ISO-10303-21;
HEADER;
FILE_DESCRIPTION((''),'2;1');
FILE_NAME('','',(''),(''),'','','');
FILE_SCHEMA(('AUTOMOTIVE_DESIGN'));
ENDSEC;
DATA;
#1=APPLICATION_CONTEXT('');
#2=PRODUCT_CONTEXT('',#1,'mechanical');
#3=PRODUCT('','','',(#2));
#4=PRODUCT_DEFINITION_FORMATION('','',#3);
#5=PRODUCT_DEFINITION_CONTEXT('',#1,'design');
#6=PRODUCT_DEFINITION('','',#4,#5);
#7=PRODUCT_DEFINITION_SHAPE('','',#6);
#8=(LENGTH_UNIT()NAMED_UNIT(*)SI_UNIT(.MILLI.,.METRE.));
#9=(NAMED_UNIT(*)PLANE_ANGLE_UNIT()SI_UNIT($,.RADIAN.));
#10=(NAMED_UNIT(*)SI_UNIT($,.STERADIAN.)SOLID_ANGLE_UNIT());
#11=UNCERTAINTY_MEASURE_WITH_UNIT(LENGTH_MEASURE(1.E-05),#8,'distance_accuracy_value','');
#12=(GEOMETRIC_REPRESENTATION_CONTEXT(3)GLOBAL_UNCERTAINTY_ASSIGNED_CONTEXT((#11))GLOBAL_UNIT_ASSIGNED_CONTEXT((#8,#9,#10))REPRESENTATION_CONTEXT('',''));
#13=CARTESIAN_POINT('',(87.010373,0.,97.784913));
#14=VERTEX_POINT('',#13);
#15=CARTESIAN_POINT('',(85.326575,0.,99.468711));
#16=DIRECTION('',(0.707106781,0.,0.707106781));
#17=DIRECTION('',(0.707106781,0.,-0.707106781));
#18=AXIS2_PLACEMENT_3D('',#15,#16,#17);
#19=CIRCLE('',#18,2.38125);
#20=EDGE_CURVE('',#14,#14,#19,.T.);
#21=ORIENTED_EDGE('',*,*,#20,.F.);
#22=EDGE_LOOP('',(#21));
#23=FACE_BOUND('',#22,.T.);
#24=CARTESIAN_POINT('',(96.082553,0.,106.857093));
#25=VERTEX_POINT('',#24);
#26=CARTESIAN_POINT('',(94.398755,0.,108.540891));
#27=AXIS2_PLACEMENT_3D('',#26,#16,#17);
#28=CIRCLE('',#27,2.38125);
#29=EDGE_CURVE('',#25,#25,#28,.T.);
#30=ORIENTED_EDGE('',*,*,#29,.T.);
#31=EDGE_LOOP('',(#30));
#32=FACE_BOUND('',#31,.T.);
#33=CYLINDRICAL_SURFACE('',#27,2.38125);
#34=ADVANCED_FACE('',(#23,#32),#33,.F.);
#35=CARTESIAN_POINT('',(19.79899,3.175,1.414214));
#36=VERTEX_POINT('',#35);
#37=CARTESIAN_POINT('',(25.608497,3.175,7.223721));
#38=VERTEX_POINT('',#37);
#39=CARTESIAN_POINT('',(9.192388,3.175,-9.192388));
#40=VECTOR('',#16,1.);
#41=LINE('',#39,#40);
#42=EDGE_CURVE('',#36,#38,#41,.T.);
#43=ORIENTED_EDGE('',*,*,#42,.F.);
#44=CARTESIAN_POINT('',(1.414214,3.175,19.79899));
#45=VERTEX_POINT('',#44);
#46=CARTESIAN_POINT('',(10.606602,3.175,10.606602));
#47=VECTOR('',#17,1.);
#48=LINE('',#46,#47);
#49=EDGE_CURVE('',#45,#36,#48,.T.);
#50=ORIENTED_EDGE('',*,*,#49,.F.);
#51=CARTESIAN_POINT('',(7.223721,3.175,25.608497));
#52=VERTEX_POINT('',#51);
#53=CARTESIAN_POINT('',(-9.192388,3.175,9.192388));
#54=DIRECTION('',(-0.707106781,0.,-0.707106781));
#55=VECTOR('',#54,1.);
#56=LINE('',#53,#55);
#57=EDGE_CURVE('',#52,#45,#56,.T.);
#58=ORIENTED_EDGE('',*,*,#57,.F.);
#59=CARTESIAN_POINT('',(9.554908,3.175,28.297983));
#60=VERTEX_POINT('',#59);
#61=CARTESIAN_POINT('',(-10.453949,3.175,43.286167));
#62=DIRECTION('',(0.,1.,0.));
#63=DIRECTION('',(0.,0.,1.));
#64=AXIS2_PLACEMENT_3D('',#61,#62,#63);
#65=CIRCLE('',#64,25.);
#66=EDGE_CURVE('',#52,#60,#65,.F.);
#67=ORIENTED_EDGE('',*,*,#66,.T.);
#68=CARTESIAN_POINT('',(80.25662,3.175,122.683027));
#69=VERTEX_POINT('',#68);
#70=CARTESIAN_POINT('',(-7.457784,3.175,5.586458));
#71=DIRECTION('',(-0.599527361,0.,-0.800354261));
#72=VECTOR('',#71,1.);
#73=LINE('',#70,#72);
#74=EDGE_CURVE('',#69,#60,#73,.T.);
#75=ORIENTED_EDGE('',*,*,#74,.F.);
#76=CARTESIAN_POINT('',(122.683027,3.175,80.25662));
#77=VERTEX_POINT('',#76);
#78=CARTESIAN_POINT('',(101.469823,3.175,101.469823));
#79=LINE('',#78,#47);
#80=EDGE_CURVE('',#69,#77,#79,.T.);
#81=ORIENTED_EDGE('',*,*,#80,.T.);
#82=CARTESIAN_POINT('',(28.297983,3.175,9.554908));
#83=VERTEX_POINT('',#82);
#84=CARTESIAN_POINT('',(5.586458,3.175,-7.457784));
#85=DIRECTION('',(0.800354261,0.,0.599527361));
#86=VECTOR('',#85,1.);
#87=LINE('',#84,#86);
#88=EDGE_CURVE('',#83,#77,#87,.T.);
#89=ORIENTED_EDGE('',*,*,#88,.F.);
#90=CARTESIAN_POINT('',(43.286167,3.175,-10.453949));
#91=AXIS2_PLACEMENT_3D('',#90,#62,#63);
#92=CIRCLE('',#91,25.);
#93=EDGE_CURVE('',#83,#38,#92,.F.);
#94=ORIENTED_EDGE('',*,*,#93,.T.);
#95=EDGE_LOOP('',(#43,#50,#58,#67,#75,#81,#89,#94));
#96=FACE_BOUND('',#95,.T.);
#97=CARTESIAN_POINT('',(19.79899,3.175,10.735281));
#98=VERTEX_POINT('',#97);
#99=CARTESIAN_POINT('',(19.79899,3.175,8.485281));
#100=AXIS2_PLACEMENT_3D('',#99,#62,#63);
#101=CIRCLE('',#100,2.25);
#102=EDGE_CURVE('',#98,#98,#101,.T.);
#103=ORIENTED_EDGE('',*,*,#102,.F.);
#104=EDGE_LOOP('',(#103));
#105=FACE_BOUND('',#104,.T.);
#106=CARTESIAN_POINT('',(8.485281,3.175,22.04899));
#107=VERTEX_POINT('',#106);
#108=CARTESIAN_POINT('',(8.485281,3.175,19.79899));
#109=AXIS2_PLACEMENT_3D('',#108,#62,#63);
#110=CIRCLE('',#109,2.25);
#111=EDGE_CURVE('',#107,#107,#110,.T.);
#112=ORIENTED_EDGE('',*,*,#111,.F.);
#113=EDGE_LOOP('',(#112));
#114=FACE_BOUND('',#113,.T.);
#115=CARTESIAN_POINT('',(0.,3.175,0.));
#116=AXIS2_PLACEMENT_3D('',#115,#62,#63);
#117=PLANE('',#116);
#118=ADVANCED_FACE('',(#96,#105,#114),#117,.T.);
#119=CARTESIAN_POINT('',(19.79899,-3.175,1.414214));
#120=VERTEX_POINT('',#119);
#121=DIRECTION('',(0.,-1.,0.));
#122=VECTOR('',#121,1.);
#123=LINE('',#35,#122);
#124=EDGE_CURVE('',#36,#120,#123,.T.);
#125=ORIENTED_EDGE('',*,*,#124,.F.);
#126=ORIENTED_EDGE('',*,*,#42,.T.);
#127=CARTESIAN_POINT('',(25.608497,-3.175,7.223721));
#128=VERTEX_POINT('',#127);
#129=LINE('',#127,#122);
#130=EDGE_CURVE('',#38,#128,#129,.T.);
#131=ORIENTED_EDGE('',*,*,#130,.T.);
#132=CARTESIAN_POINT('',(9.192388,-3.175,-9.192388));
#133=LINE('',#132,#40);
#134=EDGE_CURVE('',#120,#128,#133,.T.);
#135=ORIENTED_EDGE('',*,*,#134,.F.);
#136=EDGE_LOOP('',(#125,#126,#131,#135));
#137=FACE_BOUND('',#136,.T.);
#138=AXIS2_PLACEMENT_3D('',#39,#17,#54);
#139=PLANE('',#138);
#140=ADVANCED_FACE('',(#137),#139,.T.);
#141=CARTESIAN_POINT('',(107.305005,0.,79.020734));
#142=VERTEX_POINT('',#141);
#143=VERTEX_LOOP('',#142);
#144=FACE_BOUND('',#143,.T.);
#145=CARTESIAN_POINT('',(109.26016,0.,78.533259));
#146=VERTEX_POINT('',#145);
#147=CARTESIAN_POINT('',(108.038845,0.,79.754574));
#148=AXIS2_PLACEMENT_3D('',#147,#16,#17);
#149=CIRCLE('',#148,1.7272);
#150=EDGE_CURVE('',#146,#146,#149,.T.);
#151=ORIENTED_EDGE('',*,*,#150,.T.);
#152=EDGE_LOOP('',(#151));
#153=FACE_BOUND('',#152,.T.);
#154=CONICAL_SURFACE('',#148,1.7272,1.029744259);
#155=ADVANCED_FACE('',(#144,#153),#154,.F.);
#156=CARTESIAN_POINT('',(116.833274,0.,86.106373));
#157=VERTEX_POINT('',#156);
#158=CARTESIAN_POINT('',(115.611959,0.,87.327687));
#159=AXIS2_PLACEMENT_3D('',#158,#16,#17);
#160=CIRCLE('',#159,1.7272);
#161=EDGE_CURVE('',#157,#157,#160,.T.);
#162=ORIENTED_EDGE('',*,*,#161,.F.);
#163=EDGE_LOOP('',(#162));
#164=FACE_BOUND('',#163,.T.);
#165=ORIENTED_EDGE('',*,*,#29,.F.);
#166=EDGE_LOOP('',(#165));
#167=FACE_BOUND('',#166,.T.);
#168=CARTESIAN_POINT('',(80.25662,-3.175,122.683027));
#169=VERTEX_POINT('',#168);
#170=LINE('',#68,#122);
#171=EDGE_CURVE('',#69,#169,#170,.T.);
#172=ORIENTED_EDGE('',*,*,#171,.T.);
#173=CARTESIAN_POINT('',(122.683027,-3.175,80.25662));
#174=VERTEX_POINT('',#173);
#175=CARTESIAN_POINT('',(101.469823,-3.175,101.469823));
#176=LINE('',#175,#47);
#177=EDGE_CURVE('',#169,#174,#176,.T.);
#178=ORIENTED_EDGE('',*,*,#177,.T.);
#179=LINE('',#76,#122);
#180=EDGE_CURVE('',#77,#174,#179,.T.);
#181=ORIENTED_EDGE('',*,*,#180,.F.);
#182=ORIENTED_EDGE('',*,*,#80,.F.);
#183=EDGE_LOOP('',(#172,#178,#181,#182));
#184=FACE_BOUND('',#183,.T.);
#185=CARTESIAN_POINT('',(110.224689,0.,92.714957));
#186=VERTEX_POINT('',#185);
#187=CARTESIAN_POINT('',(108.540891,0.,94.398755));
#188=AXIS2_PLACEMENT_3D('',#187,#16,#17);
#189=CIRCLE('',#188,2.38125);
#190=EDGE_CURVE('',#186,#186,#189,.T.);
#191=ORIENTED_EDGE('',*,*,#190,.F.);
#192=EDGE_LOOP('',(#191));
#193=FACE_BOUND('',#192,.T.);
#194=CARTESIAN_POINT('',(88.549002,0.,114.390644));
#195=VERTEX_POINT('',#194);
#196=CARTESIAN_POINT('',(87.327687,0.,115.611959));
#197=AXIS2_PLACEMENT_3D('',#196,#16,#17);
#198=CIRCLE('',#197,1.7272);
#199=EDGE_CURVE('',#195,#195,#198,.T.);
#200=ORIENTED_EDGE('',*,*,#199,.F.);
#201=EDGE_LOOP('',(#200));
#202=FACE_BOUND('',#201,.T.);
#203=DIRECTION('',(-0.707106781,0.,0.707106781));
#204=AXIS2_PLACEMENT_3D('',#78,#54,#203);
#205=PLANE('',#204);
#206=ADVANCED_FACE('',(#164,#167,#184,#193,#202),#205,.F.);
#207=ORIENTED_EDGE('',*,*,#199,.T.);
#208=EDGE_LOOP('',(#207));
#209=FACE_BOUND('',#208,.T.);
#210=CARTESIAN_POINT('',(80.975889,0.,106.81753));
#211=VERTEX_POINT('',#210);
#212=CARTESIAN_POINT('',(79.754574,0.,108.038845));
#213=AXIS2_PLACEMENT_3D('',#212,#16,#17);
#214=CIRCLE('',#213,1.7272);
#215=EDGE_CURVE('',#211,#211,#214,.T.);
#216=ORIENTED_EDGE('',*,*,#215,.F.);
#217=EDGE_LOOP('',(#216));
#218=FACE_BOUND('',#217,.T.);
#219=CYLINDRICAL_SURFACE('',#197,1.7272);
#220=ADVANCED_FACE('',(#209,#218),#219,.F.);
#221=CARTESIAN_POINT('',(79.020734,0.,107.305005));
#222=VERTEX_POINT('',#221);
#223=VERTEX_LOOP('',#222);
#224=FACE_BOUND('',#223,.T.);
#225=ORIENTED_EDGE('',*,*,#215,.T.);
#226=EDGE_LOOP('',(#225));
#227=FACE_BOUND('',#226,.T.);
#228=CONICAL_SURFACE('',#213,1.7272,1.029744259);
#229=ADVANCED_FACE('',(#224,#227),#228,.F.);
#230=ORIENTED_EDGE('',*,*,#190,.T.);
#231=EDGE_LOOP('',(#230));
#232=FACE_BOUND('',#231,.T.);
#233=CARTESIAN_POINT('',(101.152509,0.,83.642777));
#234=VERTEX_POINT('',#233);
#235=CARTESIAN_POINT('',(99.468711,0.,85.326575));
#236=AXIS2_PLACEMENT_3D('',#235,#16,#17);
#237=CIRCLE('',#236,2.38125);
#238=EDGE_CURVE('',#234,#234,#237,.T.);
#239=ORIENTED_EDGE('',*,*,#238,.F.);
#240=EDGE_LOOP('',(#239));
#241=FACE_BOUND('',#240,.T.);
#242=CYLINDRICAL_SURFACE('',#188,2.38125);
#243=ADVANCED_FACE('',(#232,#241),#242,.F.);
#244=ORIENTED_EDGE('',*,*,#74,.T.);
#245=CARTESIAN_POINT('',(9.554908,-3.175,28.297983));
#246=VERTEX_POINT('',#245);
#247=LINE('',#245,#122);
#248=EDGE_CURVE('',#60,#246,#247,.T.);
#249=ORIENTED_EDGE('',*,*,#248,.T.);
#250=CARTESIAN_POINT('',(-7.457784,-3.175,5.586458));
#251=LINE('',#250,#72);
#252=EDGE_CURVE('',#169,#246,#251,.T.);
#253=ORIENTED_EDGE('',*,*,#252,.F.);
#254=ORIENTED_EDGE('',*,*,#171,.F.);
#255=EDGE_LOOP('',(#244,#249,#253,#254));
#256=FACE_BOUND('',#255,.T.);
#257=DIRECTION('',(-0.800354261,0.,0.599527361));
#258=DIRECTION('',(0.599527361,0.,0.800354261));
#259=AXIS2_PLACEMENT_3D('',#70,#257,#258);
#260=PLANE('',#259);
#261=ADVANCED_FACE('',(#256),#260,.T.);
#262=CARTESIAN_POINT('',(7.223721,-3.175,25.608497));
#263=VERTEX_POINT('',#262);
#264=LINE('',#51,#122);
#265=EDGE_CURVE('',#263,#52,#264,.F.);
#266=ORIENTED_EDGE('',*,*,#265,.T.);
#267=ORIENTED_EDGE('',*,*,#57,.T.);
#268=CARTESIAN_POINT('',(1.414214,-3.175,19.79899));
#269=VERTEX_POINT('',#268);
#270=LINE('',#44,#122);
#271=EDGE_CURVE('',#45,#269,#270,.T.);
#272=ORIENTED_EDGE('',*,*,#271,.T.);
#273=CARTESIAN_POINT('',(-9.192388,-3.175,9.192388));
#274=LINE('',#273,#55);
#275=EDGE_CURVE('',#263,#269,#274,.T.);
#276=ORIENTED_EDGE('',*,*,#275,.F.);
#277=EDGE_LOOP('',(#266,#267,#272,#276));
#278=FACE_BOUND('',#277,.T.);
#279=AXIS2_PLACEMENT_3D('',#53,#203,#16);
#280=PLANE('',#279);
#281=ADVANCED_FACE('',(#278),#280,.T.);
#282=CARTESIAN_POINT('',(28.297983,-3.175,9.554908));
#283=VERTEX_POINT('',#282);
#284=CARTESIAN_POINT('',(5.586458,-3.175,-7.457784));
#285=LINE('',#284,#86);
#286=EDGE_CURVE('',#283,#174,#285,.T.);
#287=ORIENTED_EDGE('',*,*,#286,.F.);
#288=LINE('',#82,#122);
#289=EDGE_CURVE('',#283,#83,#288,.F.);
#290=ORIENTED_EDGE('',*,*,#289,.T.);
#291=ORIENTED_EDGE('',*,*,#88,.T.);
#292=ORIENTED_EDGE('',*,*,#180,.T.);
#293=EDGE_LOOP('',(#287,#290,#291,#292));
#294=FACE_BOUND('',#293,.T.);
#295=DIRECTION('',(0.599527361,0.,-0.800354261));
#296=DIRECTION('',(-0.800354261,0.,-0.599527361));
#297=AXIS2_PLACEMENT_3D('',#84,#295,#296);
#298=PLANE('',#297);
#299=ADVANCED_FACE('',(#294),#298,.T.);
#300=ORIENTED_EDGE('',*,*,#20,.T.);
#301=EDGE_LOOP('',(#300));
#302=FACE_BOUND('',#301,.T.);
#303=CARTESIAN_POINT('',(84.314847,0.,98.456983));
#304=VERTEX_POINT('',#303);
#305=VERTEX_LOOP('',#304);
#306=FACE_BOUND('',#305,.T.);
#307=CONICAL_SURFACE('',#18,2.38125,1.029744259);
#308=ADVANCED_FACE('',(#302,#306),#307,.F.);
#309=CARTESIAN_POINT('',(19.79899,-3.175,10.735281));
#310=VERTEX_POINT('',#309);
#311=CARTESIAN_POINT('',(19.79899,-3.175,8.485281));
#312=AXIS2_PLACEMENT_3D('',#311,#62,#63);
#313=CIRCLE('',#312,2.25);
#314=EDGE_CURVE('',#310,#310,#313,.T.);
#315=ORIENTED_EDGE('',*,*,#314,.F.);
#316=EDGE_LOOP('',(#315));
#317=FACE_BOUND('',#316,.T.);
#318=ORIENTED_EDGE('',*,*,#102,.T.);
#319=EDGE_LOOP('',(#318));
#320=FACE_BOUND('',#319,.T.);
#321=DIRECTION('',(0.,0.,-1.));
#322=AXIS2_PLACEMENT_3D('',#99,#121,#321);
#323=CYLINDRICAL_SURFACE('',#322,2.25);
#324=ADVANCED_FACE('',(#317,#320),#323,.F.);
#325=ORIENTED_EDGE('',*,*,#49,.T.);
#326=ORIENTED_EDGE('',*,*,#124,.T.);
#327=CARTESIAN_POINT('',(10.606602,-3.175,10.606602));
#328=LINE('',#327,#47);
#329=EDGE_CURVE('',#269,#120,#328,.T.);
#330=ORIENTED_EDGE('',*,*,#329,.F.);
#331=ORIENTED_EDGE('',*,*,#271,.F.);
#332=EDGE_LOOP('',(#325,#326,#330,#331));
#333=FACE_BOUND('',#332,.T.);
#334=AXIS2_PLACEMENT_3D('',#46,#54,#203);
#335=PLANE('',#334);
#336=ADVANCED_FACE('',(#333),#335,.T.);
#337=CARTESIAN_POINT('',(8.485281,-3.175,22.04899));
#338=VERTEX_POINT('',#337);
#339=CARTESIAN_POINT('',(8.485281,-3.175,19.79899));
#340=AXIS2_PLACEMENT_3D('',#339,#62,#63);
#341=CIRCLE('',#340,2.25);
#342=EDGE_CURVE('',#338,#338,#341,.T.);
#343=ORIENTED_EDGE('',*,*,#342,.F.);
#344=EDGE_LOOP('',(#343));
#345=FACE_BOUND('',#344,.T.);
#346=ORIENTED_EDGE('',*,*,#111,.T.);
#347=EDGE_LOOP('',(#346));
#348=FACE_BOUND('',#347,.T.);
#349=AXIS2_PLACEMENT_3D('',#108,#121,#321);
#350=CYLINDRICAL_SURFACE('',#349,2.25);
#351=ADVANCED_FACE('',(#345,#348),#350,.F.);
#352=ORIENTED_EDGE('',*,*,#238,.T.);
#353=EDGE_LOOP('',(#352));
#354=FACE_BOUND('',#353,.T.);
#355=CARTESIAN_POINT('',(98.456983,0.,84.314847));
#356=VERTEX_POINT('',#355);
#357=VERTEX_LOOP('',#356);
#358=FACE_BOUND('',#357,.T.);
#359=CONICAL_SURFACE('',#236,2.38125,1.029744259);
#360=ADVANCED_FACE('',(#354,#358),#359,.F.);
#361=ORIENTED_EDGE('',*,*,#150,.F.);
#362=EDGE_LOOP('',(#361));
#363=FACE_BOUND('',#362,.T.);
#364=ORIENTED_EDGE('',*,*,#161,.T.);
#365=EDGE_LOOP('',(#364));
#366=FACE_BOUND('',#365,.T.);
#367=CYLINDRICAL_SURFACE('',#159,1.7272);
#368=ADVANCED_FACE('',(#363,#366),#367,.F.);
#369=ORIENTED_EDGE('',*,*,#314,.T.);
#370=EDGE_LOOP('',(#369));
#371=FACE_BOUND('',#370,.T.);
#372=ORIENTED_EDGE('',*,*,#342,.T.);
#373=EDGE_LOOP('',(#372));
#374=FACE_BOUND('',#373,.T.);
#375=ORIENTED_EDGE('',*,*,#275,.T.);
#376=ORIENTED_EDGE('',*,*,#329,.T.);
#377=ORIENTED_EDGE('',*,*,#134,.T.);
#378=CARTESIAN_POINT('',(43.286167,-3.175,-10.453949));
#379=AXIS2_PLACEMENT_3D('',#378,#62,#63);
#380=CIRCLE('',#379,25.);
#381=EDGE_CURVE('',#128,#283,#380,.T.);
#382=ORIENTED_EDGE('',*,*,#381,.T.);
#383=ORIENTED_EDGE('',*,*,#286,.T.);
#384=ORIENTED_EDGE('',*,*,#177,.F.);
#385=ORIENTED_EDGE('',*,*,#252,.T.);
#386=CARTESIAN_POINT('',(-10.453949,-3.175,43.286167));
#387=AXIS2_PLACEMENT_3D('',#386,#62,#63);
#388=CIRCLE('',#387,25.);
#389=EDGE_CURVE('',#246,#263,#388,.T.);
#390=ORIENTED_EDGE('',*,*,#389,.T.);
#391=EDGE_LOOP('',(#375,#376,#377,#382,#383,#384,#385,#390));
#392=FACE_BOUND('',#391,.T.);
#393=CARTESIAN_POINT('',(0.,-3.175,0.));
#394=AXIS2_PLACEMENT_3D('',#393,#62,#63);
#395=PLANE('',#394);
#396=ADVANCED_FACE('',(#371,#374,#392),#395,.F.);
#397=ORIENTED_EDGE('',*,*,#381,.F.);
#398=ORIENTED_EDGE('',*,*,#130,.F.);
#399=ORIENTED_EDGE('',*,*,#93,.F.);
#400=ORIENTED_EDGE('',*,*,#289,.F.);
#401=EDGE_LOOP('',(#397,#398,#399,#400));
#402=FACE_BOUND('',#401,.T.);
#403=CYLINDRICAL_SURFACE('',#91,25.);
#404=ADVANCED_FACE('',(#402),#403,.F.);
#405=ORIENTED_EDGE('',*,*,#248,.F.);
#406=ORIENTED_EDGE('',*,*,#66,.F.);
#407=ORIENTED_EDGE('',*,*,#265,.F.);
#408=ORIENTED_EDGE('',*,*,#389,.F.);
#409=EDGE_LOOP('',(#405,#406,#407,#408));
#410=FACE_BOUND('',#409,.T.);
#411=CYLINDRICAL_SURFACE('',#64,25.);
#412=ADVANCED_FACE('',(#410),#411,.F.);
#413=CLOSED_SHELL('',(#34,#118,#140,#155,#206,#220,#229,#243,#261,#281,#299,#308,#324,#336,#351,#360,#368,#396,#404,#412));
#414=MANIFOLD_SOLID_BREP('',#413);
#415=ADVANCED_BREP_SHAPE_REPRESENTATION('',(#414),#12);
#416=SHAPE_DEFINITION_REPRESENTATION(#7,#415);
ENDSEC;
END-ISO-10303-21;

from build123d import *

# Parameters (mm, degrees)
SKETCH1_R                       = 2.25
BOSS_EXTRUDE1_DEPTH             = 3.175
F_8_32_TAPPED_HOLE1_D           = 3.4544
F_8_32_TAPPED_HOLE1_DEPTH       = 10.71
F_8_32_TAPPED_HOLE1_TIP         = 1.037806461
F_3_16_0_1875_DOWEL_HOLE1_D     = 4.7625
F_3_16_0_1875_DOWEL_HOLE1_DEPTH = 12.83
F_3_16_0_1875_DOWEL_HOLE1_TIP   = 1.430799349
FILLET1_R                       = 25


with BuildPart() as part:
    # Sketch1 → Boss-Extrude1 (new, symmetric)
    with BuildSketch(Plane(origin=(0, 0, 0), x_dir=(1, 0, 0), z_dir=(0, 1, 0))):
        Polygon((80.256619665, -122.683026536), (8.485281374, -26.870057685), (1.414213562, -19.798989873), (19.798989873, -1.414213562), (26.870057685, -8.485281374), (122.683026536, -80.256619665), align=None)
        with Locations(Location((8.485281374, -19.798989873, 0), (0, 0, 270))):
            Circle(SKETCH1_R, mode=Mode.SUBTRACT)
        with Locations(Location((19.798989873, -8.485281374, 0), (0, 0, 270))):
            Circle(SKETCH1_R, mode=Mode.SUBTRACT)
    extrude(amount=BOSS_EXTRUDE1_DEPTH, both=True)

    # #8-32 Tapped Hole1
    with Locations(Plane(origin=(101.4698231, 0, 101.4698231), x_dir=(0.7071067811865462, 0, -0.7071067811865489), z_dir=(0.7071067811865489, 0, 0.7071067811865462))):
        with Locations((20, 0), (-20, 0)):
            Hole(F_8_32_TAPPED_HOLE1_D / 2, depth=F_8_32_TAPPED_HOLE1_DEPTH)
            with Locations((0, 0, -(F_8_32_TAPPED_HOLE1_DEPTH + F_8_32_TAPPED_HOLE1_TIP / 2))):  # 118° drill point
                Cone(0, F_8_32_TAPPED_HOLE1_D / 2, F_8_32_TAPPED_HOLE1_TIP, mode=Mode.SUBTRACT)

    # 3/16 (0.1875) Dowel Hole1
    with Locations(Plane(origin=(101.4698231, 0, 101.4698231), x_dir=(0.7071067811865462, 0, -0.7071067811865489), z_dir=(0.7071067811865489, 0, 0.7071067811865462))):
        with Locations((-10, 0), (10, 0)):
            Hole(F_3_16_0_1875_DOWEL_HOLE1_D / 2, depth=F_3_16_0_1875_DOWEL_HOLE1_DEPTH)
            with Locations((0, 0, -(F_3_16_0_1875_DOWEL_HOLE1_DEPTH + F_3_16_0_1875_DOWEL_HOLE1_TIP / 2))):  # 118° drill point
                Cone(0, F_3_16_0_1875_DOWEL_HOLE1_D / 2, F_3_16_0_1875_DOWEL_HOLE1_TIP, mode=Mode.SUBTRACT)

    # Fillet1
    fillet1_edges = [part.edges().sort_by_distance(p)[0] for p in [
        (8.485281374, 0, 26.870057685),
        (26.870057685, 0, 8.485281374),
    ]]
    fillet(fillet1_edges, radius=FILLET1_R)


solid = part.part
